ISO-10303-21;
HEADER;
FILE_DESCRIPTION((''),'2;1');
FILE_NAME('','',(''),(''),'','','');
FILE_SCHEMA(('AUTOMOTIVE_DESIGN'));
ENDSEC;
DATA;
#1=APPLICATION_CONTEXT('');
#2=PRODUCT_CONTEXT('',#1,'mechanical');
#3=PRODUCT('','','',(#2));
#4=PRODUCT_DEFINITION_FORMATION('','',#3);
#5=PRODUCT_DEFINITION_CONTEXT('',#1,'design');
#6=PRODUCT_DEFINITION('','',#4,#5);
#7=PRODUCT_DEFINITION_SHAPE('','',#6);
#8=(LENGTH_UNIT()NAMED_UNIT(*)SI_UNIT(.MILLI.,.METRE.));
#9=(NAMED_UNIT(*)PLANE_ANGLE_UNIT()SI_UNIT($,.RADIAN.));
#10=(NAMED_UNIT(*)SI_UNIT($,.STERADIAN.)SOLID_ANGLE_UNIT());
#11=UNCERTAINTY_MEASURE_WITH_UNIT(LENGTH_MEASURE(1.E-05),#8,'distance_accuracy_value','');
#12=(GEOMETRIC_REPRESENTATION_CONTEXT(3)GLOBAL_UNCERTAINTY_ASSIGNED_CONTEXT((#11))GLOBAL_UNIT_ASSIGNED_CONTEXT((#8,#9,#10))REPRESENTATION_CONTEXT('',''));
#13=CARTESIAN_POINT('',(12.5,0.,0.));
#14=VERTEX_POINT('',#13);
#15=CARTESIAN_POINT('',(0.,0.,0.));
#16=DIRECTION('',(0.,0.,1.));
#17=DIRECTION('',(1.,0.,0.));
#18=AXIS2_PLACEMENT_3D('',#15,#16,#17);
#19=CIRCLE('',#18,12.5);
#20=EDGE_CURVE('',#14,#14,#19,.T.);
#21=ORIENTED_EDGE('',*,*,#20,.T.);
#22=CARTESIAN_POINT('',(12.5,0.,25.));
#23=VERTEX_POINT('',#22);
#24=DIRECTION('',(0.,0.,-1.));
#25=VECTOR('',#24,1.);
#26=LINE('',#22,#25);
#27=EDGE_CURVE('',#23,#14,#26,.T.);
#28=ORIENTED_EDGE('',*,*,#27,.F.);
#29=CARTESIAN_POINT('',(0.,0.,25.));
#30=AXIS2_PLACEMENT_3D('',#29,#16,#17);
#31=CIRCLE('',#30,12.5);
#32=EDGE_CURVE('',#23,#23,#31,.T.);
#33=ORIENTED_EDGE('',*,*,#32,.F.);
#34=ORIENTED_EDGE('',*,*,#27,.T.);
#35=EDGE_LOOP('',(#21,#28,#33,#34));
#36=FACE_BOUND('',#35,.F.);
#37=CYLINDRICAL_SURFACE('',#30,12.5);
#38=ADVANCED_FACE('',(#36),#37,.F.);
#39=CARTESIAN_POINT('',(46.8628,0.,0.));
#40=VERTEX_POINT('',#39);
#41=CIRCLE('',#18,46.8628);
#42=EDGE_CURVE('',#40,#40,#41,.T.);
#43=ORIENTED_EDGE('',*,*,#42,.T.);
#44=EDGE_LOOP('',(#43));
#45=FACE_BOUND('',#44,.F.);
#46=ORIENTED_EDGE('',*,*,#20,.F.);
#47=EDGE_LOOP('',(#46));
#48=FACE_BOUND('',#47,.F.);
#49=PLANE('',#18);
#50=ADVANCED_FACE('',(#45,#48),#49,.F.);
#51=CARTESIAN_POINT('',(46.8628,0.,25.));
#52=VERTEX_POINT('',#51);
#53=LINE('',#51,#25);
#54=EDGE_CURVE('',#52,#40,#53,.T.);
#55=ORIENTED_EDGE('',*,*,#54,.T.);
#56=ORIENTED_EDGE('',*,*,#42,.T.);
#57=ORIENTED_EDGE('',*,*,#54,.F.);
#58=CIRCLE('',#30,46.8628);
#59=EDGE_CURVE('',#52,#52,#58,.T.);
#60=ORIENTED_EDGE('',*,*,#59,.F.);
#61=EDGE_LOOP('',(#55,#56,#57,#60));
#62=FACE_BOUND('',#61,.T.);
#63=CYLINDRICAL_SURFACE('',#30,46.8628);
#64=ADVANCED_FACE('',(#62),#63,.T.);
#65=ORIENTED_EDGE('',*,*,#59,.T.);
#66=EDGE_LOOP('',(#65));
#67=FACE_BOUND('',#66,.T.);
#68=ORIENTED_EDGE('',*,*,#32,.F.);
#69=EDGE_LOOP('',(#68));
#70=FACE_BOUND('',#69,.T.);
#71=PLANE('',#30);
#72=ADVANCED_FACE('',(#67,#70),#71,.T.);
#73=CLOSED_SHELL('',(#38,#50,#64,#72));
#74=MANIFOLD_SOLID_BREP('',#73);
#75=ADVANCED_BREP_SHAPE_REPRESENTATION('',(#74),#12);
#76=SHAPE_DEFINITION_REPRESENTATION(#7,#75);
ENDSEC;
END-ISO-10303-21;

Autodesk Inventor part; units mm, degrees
ref_plane "YZ Plane" through (0, 0, 0) normal (1, 0, 0) x (0, 1, 0)
ref_plane "XZ Plane" through (0, 0, 0) normal (0, 1, 0) x (-1, 0, 0)
ref_plane "XY Plane" through (0, 0, 0) normal (0, 0, 1) x (1, 0, 0)
sketch "Sketch1" plane through (0, 0, 0) normal (0, 0, 1) x (1, 0, 0)
  circle A0 centre (0, 0) radius 75
  dimension "d0" = 150
extrude "Extrusion1" add sketch "Sketch1" along normal blind 25
fillet "Fillet1" radius 10 2 edges at (-75, 0, 25) (-75, 0, 0)
sketch "Sketch2" plane through (0, 0, 25) normal (0, 0, 1) x (1, 0, 0)
  circle A0 centre (0, 0) radius 12.5
  dimension "d4" = 25
extrude "Extrusion2" cut sketch "Sketch2" against normal blind 25
sketch "Sketch3" plane through (0, 0, 25) normal (0, 0, 1) x (1, 0, 0)
  point P0 (0, 0)
sketch "Sketch4" plane through (0, 0, 25) normal (0, 0, 1) x (1, 0, 0)
  circle A0 centre (0, 0) radius 46.8628
extrude "Extrusion3" cut sketch "Sketch4" against normal blind 25 keep common part
sketch "Sketch5" plane through (0, 0, 0) normal (0, 0, -1) x (-1, 0, 0)
  point P0 (0, 0)
sketch "Sketch6" plane through (0, 0, 25) normal (0, 0, 1) x (1, 0, 0)
  point P0 (0, 0)
properties part number "roller"
